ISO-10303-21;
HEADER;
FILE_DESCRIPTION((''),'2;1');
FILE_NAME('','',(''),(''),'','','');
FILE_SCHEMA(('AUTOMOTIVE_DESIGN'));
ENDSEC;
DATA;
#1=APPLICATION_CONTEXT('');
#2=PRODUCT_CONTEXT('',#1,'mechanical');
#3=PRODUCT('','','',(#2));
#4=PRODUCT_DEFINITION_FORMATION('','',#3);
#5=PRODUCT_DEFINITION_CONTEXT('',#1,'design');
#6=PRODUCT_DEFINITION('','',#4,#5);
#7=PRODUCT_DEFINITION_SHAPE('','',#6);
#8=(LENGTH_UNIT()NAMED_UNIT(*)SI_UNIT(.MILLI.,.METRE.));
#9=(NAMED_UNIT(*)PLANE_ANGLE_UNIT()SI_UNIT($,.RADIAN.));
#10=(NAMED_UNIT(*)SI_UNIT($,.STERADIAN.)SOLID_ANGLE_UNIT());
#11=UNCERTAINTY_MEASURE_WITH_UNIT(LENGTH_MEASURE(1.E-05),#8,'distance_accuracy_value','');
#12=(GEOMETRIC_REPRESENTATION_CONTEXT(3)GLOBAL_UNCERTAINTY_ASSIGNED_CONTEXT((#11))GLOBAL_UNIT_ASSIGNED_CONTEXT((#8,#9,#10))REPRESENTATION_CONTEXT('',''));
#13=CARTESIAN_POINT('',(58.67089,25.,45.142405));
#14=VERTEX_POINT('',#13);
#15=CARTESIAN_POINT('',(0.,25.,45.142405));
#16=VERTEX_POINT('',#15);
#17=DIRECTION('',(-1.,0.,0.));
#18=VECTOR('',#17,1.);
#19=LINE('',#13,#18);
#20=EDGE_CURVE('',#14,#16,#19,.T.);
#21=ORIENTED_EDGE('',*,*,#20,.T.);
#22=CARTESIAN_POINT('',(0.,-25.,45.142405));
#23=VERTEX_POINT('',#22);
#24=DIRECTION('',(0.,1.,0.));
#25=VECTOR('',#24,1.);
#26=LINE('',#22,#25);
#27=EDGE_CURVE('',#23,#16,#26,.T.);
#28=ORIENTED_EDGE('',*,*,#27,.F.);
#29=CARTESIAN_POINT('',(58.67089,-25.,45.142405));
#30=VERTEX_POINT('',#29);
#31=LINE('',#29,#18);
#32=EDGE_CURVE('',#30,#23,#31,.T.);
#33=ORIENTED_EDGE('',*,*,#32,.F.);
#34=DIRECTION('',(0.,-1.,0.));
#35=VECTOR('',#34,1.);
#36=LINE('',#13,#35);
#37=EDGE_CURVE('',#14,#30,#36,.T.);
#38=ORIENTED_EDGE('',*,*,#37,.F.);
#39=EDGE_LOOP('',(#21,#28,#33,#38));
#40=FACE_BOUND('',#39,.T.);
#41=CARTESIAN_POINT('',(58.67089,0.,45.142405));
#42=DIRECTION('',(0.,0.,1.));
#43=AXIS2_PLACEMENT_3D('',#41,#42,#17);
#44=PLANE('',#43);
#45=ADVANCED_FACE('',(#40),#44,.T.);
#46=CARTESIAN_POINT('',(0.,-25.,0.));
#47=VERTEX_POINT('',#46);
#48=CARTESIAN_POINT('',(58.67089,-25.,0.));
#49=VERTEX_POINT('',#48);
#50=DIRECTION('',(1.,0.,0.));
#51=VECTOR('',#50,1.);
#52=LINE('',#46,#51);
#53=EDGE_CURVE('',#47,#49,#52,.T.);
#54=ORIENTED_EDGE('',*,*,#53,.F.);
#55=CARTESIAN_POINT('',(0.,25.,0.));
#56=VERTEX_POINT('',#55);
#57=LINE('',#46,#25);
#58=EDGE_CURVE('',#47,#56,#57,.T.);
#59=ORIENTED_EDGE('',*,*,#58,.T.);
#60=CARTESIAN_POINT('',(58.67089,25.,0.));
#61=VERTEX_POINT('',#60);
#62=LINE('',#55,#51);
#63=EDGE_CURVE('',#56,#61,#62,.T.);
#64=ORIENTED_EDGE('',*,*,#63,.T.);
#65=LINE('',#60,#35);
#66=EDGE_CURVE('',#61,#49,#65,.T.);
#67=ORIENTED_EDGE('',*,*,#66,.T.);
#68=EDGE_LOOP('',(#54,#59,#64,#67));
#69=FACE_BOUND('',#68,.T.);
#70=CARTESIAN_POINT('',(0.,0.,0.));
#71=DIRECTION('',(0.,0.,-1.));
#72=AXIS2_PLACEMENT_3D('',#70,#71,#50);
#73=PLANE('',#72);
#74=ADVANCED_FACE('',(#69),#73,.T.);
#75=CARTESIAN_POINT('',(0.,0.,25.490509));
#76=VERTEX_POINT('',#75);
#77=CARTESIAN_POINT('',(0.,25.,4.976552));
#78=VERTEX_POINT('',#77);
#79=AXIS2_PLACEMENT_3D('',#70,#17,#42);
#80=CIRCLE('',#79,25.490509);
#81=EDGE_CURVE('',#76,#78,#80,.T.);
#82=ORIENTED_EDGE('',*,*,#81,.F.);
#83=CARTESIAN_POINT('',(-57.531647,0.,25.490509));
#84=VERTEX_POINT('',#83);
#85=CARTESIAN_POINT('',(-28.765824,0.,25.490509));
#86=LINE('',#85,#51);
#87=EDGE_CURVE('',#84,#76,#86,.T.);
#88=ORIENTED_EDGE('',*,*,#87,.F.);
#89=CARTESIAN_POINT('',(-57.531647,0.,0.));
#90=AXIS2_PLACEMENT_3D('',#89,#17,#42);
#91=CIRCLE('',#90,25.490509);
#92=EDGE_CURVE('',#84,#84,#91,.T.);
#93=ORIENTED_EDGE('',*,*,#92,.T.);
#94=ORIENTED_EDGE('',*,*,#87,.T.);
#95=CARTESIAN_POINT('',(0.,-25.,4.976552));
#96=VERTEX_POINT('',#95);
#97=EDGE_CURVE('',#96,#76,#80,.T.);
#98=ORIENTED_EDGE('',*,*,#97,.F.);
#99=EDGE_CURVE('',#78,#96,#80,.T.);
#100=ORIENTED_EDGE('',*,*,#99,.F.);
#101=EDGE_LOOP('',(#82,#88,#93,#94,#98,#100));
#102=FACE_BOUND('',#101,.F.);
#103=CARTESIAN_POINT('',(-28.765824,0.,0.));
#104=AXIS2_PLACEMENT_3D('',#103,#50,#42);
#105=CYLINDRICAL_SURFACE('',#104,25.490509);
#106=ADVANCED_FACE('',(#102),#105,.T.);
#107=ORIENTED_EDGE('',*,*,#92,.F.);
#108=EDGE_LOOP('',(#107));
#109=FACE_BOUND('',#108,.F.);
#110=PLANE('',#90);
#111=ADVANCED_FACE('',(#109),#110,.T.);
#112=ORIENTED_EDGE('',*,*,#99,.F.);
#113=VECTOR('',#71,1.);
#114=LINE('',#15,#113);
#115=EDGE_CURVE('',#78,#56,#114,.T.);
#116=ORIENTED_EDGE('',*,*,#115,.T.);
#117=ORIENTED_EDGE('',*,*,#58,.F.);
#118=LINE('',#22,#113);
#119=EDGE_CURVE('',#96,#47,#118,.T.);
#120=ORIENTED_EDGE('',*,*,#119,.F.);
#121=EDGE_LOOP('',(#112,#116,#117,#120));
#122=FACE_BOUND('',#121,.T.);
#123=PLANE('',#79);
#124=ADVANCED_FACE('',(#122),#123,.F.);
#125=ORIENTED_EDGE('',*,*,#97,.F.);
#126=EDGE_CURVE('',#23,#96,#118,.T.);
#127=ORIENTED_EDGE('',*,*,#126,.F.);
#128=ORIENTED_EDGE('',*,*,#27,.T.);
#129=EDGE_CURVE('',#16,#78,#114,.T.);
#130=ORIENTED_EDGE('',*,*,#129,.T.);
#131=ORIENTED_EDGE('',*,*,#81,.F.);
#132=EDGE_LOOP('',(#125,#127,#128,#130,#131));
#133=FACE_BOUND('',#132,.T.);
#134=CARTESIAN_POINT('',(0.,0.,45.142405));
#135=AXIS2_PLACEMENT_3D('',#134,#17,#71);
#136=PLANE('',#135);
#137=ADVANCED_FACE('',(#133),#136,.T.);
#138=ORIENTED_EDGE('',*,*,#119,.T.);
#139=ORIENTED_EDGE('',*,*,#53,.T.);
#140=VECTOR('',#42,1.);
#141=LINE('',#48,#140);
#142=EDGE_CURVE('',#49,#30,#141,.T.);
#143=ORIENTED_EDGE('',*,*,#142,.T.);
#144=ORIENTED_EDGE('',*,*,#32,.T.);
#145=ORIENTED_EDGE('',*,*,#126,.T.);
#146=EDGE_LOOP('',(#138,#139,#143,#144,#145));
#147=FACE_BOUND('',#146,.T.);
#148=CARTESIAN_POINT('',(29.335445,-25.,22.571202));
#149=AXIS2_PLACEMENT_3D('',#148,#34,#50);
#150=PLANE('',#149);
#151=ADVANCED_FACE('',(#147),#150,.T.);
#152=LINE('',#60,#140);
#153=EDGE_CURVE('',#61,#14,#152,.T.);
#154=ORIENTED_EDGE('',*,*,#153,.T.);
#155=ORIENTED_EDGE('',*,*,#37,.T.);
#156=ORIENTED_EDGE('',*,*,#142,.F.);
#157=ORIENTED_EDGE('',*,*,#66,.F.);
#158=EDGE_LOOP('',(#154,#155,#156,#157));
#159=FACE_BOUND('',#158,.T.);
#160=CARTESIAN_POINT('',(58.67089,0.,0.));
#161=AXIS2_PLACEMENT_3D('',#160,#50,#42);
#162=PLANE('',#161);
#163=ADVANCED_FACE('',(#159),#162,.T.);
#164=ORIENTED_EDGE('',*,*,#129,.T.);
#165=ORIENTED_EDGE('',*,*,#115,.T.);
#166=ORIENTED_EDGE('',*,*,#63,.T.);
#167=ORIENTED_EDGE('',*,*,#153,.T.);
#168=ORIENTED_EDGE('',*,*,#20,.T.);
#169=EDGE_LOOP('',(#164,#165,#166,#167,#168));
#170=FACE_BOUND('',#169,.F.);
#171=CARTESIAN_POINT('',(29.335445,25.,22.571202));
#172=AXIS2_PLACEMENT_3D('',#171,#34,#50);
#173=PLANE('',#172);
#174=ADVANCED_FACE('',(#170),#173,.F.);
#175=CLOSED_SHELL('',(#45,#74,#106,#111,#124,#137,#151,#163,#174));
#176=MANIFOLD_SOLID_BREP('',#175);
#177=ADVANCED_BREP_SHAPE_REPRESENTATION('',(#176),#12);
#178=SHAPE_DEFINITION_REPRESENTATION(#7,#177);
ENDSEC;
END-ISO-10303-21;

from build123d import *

# Parameters (mm, degrees)
F1_DEPTH = 25
F0_W     = 57.5316473842
F0_H     = 25.4905093461


with BuildPart() as f1:
    # F0 (on Front) → F1 (new body, symmetric)
    with BuildSketch(Plane.XZ):
        Polygon((0, 25.4905093461), (0, 0), (58.6708895862, 0), (58.6708895862, 45.1424047351), (0, 45.1424047351), align=None)
    extrude(amount=F1_DEPTH, both=True)

    # F0 (on Front) → F2 (revolve)
    with BuildSketch(Plane.XZ):
        with Locations((-28.7658236921, 12.7452546731)):
            Rectangle(F0_W, F0_H)
    revolve(axis=Axis((-28.7658236921, 0, 0), (-1, 0, 0)))


solid = f1.part
